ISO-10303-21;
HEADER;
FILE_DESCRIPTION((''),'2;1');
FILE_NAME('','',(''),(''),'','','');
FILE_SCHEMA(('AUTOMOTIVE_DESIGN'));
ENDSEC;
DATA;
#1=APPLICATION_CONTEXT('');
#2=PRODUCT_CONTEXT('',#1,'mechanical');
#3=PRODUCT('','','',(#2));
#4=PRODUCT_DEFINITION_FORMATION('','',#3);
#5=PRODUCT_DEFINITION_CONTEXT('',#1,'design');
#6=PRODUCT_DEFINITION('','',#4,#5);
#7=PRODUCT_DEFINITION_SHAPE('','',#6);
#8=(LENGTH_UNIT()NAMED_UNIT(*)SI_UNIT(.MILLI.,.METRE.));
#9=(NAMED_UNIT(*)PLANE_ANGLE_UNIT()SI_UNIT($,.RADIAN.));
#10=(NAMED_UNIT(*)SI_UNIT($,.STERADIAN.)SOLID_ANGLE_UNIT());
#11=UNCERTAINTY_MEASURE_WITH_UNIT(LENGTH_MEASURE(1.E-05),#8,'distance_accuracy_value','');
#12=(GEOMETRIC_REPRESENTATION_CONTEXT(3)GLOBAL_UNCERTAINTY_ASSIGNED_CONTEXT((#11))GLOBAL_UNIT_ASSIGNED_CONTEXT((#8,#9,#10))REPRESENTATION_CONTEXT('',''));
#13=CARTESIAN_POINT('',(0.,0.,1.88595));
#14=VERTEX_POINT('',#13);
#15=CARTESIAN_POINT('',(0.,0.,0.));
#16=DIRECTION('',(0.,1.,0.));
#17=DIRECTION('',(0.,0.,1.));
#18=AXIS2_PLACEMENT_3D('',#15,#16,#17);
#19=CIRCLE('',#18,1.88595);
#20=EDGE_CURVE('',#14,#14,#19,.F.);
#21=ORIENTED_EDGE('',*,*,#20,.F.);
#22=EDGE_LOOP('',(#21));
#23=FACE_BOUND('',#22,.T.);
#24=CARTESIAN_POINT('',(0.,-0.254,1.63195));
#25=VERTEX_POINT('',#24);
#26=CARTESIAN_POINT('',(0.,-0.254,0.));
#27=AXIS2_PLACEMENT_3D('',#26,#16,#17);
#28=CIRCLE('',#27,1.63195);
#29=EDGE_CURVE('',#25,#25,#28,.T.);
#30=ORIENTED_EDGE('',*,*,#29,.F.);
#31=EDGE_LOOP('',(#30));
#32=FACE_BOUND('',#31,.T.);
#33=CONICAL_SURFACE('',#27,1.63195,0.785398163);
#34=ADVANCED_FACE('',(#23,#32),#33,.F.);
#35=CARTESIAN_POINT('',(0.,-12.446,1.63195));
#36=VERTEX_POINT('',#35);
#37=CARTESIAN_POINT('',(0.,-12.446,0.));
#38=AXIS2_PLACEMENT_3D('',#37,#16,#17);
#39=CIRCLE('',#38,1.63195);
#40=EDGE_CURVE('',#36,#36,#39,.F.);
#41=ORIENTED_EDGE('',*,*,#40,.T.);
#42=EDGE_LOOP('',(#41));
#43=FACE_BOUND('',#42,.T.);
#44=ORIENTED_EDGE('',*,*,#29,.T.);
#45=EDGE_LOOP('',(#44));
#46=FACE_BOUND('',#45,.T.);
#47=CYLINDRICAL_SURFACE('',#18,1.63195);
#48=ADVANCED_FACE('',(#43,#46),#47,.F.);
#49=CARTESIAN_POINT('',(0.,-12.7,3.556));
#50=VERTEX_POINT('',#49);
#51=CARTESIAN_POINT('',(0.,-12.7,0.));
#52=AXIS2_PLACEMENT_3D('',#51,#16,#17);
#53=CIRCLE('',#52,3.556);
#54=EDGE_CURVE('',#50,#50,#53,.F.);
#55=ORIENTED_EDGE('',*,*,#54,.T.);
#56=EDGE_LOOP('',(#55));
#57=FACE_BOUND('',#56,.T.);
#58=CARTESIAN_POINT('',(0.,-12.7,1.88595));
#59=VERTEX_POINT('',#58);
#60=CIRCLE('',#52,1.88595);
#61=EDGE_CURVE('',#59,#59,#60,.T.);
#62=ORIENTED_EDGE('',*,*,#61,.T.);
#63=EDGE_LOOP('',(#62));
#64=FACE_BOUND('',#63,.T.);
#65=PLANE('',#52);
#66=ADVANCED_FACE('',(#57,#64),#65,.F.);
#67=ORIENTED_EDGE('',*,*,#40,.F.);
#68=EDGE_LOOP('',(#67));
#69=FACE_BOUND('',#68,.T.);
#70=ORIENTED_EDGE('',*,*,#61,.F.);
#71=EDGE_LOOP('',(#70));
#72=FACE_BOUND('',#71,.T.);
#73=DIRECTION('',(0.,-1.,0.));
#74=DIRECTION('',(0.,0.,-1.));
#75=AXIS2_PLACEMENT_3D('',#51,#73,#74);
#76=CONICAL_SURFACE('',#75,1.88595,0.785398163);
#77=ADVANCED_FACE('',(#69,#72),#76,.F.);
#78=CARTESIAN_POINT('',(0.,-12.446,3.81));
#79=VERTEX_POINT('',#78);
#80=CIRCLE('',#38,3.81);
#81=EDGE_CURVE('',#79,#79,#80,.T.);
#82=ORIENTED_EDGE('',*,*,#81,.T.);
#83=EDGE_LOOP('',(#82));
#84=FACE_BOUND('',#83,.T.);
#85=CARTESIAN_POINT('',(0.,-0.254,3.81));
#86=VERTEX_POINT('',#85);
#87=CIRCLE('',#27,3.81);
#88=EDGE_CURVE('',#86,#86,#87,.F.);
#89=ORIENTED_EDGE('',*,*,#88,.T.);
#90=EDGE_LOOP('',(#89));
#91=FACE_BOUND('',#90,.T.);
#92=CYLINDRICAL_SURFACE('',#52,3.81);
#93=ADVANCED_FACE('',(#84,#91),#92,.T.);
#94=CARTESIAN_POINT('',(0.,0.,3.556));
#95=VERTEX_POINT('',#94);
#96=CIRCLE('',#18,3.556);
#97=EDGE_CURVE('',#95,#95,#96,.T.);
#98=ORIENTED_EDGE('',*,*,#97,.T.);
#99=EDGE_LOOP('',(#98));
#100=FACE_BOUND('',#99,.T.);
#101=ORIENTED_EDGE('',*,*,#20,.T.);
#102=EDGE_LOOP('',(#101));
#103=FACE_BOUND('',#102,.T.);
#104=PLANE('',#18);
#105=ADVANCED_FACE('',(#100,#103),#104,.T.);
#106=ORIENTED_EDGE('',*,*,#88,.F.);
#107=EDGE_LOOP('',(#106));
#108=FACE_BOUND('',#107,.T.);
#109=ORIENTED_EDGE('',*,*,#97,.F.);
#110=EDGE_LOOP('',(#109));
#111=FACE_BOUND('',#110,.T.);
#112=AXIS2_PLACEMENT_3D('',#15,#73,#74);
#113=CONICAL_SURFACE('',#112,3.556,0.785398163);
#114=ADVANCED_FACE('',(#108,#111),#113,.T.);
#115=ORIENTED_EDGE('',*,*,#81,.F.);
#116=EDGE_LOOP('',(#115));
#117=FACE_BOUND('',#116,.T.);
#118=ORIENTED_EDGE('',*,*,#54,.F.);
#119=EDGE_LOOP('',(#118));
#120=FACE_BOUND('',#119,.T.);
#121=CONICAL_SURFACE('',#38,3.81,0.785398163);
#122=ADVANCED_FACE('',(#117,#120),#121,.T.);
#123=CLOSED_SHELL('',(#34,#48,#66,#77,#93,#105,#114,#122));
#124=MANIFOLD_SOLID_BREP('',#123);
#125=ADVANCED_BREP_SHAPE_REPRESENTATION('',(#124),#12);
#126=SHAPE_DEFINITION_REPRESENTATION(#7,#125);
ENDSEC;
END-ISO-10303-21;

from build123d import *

# Parameters (mm, degrees)
SKETCH1_R                    = 3.81
BOSS_EXTRUDE1_DEPTH          = 12.7
F_30_0_1285_DIAMETER_HOLE1_D = 3.2639
CHAMFER1_SIZE                = 0.254


with BuildPart() as part:
    # Sketch1 → Boss-Extrude1 (new body)
    with BuildSketch(Plane(origin=(0, 0, 0), x_dir=(1, 0, 0), z_dir=(0, 1, 0))):
        with Locations(Location((0, 0, 0), (0, 0, 270))):
            Circle(SKETCH1_R)
    extrude(amount=-BOSS_EXTRUDE1_DEPTH)

    # #30 (0.1285) Diameter Hole1 (through all)
    with Locations(Plane(origin=(0, 0, 0), x_dir=(1, 0, 0), z_dir=(0, 1, 0))):
        with Locations((0, 0)):
            Hole(F_30_0_1285_DIAMETER_HOLE1_D / 2)

    # Chamfer1
    chamfer1_edges = [part.edges().sort_by_distance(p)[0] for p in [
        (0, 0, -3.81),
        (0, -12.7, -3.81),
        (1.63195, 0, 0),
        (1.63195, -12.7, 0),
    ]]
    chamfer(chamfer1_edges, length=CHAMFER1_SIZE)


solid = part.part
